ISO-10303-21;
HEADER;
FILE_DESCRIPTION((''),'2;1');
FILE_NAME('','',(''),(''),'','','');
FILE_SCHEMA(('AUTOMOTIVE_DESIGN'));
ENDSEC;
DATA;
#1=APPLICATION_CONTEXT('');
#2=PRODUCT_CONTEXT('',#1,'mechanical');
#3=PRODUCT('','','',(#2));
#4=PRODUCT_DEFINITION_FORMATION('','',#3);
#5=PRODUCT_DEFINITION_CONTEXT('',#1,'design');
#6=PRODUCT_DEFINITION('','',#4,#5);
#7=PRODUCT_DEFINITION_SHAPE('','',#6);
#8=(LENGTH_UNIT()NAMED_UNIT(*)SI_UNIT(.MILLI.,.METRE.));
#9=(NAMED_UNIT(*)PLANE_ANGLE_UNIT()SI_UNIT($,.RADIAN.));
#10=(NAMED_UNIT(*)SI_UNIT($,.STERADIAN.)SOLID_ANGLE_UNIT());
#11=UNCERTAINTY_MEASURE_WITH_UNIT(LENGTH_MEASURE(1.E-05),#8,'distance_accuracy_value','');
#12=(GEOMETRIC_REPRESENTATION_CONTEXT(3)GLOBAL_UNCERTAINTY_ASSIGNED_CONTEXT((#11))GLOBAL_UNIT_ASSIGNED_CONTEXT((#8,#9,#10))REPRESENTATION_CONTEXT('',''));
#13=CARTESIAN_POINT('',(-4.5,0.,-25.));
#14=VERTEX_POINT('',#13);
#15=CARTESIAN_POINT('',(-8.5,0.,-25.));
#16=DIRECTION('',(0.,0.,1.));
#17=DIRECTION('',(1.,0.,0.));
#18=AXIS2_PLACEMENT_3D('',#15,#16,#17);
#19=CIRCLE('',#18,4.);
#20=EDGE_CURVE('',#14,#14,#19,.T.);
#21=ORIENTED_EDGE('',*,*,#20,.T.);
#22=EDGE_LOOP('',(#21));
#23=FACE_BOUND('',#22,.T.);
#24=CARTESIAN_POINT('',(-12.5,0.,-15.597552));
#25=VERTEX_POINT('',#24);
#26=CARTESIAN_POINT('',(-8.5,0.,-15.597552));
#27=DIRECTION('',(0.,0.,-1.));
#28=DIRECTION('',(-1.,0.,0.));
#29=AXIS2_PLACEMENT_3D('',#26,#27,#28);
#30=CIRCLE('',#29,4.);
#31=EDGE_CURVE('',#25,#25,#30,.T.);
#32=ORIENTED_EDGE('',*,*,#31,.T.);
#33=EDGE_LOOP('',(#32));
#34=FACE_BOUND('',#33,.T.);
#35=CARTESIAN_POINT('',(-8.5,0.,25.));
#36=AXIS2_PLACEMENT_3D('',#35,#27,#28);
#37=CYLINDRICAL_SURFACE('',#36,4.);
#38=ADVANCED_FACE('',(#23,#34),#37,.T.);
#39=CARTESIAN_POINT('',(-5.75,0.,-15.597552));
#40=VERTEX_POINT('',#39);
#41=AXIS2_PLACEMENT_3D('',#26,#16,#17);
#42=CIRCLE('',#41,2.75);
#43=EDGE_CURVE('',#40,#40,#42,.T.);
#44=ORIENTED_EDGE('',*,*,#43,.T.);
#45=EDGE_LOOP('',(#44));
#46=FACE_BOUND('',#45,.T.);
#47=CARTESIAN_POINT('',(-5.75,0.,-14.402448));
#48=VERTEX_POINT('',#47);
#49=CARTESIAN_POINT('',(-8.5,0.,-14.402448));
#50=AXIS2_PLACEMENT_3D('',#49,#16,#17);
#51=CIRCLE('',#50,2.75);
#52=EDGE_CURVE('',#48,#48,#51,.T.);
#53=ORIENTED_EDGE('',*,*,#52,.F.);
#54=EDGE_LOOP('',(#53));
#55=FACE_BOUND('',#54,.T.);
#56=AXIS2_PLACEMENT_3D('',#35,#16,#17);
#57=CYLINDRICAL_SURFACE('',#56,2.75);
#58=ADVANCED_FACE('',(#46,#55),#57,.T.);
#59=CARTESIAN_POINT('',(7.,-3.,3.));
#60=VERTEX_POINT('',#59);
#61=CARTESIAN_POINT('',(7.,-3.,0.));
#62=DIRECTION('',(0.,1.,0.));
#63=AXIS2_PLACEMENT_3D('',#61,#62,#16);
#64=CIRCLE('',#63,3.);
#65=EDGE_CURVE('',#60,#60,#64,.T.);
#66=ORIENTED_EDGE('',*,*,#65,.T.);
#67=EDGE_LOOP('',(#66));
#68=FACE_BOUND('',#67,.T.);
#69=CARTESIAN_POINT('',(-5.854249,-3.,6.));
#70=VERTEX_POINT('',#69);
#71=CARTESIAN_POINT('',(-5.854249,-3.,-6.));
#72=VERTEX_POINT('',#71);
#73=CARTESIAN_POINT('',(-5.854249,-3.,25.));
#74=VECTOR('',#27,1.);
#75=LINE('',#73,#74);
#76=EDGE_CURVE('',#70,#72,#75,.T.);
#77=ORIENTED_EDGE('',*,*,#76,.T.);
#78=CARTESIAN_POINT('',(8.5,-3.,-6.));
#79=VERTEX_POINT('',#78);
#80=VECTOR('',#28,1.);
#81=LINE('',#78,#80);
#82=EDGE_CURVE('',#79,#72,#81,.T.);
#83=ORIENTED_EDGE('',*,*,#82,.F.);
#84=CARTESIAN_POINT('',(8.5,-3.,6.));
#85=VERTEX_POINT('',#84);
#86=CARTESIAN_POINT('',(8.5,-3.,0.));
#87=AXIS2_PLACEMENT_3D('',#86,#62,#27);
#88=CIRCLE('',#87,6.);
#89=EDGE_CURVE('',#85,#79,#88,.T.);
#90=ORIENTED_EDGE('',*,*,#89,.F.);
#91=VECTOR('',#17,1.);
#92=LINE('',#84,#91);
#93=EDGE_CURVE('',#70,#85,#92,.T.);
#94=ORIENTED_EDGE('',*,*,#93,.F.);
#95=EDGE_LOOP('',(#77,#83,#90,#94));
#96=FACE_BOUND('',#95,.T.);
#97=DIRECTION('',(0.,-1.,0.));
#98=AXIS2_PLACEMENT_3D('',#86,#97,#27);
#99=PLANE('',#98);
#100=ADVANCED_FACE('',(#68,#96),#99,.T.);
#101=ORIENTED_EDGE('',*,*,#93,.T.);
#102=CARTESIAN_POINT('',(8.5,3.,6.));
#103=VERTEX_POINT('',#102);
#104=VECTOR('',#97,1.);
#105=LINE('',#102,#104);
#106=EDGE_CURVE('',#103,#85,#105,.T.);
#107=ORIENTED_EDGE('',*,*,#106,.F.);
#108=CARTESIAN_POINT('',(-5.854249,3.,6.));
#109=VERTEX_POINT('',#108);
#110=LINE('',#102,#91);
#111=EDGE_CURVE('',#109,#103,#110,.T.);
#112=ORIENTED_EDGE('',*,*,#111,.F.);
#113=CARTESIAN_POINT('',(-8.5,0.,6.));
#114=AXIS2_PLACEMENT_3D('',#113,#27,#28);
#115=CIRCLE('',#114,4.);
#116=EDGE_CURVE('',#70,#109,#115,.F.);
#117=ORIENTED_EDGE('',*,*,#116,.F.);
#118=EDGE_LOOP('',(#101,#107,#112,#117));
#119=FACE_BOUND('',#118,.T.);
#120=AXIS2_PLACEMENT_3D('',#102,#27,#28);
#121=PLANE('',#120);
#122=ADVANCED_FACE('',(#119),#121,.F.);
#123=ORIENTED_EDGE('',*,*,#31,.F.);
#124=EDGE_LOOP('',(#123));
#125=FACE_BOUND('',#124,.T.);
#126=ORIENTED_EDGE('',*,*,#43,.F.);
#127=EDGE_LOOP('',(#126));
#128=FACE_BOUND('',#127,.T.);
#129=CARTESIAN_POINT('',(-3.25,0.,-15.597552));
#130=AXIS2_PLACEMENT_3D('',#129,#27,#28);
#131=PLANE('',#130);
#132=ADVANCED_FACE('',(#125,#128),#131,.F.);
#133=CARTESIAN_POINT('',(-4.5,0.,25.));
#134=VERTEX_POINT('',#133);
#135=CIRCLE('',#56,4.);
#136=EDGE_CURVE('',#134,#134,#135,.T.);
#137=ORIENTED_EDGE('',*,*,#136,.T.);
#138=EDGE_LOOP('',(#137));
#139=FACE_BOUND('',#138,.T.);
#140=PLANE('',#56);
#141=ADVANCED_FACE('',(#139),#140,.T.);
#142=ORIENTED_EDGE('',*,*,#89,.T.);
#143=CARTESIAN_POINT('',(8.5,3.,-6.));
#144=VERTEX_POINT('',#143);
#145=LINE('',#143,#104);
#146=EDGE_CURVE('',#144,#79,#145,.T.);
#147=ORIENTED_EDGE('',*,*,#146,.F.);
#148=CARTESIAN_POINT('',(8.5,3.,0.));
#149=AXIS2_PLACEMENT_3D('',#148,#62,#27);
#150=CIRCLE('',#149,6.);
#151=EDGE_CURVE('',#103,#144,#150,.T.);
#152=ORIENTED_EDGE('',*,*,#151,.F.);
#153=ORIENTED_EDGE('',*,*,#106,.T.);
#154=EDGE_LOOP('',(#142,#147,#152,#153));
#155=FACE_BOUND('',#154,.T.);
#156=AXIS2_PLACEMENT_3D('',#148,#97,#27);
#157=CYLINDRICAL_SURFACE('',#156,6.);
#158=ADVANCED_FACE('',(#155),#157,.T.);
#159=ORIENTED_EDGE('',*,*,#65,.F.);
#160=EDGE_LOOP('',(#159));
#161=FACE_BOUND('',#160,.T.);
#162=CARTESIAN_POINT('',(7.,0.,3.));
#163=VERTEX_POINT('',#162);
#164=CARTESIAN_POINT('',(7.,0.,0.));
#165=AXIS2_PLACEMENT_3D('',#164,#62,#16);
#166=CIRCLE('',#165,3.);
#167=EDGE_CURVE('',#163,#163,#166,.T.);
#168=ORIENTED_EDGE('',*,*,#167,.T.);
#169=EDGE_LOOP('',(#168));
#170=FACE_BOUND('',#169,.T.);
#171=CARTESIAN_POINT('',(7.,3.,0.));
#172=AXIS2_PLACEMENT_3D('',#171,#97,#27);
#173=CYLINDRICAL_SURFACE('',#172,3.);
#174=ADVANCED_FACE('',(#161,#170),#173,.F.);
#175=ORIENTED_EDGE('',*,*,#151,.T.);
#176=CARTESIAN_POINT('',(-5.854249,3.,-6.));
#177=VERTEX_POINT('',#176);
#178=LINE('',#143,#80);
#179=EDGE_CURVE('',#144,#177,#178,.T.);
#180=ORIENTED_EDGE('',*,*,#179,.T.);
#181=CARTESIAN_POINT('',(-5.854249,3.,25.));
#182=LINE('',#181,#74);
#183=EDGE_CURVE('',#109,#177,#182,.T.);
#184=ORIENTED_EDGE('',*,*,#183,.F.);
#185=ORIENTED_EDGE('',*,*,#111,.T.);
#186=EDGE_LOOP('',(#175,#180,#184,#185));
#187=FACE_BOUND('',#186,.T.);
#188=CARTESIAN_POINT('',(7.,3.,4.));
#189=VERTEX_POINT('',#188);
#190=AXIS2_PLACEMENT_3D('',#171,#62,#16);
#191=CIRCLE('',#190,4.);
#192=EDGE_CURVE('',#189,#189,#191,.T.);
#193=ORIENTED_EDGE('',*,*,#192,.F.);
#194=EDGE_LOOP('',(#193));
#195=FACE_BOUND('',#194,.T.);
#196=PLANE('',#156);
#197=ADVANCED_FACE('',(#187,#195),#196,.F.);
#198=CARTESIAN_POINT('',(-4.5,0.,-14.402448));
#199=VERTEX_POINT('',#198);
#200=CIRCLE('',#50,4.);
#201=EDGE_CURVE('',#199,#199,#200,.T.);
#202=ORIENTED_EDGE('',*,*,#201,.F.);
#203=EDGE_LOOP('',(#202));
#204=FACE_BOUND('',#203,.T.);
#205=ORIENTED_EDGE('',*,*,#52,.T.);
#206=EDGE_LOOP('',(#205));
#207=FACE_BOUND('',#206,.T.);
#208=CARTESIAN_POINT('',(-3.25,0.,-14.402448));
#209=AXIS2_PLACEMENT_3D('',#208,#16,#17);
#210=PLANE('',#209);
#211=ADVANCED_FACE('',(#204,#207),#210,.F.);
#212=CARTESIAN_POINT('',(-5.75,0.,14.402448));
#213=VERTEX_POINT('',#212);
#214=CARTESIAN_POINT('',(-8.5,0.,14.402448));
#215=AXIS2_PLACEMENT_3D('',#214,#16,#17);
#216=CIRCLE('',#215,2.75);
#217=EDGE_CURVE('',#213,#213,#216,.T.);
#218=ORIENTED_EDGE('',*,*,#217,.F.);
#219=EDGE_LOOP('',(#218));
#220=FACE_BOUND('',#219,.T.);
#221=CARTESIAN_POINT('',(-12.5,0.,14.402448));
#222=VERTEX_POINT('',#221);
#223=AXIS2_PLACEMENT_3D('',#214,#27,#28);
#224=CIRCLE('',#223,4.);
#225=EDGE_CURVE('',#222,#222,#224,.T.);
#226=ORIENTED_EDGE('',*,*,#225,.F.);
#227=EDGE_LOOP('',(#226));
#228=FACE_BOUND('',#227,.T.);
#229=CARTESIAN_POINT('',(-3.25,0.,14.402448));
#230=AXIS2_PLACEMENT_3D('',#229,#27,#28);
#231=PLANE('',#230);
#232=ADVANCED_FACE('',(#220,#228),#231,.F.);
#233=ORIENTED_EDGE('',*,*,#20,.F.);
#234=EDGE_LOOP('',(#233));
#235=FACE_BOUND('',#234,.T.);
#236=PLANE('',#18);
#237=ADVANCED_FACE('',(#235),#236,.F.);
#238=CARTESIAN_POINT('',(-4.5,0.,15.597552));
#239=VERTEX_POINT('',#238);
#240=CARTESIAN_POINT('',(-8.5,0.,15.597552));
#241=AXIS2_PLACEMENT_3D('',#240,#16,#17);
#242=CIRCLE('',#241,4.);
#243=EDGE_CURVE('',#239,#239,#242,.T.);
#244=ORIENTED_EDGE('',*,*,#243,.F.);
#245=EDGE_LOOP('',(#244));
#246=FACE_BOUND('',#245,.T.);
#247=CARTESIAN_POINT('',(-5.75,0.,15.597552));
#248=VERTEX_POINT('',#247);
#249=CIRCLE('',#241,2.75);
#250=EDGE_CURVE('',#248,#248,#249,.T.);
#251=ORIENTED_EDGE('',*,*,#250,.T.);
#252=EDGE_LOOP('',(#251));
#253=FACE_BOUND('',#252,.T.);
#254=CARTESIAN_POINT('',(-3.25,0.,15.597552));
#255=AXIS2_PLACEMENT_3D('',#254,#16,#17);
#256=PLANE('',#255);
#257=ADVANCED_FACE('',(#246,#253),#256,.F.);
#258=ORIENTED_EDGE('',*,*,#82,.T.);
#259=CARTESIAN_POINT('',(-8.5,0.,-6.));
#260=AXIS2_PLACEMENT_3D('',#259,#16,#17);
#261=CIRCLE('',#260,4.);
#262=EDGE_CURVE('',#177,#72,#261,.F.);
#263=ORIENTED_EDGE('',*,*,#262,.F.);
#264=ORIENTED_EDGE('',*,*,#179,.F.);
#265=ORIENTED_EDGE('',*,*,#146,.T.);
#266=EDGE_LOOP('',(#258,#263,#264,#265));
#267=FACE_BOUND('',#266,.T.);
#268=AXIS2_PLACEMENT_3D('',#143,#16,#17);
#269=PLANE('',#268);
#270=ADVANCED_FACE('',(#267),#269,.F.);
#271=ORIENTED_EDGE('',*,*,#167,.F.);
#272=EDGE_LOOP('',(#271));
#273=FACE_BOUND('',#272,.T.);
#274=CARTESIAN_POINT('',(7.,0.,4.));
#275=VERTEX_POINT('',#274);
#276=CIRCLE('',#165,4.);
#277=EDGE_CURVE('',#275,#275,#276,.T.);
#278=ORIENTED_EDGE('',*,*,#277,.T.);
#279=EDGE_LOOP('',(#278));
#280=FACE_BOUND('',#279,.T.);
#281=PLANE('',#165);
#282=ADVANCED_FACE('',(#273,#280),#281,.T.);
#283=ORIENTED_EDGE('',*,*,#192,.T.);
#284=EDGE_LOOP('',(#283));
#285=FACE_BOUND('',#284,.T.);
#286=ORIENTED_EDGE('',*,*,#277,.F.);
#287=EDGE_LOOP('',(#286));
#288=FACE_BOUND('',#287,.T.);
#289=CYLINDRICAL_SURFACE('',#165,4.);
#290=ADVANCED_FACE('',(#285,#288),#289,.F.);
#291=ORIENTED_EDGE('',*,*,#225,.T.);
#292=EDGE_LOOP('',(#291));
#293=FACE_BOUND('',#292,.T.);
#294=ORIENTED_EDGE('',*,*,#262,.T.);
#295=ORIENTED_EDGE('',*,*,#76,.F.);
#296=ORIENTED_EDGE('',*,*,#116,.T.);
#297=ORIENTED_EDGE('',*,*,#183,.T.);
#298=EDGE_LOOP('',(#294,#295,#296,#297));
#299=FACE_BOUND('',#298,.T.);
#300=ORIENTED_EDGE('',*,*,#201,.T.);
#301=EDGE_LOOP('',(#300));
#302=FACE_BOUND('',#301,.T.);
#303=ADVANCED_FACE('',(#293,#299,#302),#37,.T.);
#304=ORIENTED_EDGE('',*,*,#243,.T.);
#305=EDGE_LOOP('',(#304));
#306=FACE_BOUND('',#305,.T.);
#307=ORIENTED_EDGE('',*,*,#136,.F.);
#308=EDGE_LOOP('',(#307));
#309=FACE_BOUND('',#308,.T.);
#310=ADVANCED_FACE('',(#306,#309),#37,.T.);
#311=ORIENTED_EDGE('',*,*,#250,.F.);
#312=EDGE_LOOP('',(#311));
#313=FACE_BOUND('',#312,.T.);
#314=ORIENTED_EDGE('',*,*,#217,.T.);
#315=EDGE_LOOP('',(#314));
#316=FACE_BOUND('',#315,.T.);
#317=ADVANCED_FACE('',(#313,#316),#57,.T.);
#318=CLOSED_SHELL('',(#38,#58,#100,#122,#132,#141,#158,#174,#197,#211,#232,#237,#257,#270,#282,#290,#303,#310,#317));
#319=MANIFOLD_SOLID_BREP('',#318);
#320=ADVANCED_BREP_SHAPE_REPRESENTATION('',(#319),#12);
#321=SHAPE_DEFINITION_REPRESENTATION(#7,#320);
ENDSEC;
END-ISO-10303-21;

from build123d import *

# Parameters (mm, degrees)
SKETCH3_R           = 3
BOSS_EXTRUDE1_DEPTH = 3
SKETCH4_R           = 4
CUT_EXTRUDE1_DEPTH  = 3
SKETCH6_R           = 4
BOSS_EXTRUDE2_DEPTH = 25
SKETCH7_W           = 2.5
SKETCH7_H           = 1.19510496


with BuildPart() as part:
    # Sketch3 → Boss-Extrude1 (new, symmetric)
    with BuildSketch(Plane(origin=(0, 0, 0), x_dir=(1, 0, 0), z_dir=(0, 1, 0))):
        with BuildLine():
            Line((8.5, -6), (-8.5, -6))
            Line((-8.5, -6), (-8.5, 6))
            Line((-8.5, 6), (8.5, 6))
            ThreePointArc((8.5, 6), (14.5, 0), (8.5, -6))
        make_face()
        with Locations(Location((7, 0, 0), (0, 0, 270))):
            Circle(SKETCH3_R, mode=Mode.SUBTRACT)
    extrude(amount=BOSS_EXTRUDE1_DEPTH, both=True)

    # Sketch4 → Cut-Extrude1 (cut)
    with BuildSketch(Plane(origin=(0, 3, 0), x_dir=(1, 0, 0), z_dir=(0, 1, 0))):
        with Locations(Location((7, 0, 0), (0, 0, 270))):
            Circle(SKETCH4_R)
    extrude(amount=-CUT_EXTRUDE1_DEPTH, mode=Mode.SUBTRACT)

    # Sketch6 → Boss-Extrude2 (add, symmetric)
    with BuildSketch(Plane.XY):
        with Locations((-8.5, 0)):
            Circle(SKETCH6_R)
    extrude(amount=BOSS_EXTRUDE2_DEPTH, both=True)

    # Sketch7 → Cut-Revolve1 (revolve, cut)
    with BuildSketch(Plane(origin=(0, 0, 0), x_dir=(1, 0, 0), z_dir=(0, 1, 0))):
        with Locations((-4.5, 15)):
            Rectangle(SKETCH7_W, SKETCH7_H)
        with Locations((-4.5, -15)):
            Rectangle(SKETCH7_W, SKETCH7_H)
    revolve(axis=Axis((-8.5, 0, 25), (0, 0, -1)), mode=Mode.SUBTRACT)


solid = part.part
